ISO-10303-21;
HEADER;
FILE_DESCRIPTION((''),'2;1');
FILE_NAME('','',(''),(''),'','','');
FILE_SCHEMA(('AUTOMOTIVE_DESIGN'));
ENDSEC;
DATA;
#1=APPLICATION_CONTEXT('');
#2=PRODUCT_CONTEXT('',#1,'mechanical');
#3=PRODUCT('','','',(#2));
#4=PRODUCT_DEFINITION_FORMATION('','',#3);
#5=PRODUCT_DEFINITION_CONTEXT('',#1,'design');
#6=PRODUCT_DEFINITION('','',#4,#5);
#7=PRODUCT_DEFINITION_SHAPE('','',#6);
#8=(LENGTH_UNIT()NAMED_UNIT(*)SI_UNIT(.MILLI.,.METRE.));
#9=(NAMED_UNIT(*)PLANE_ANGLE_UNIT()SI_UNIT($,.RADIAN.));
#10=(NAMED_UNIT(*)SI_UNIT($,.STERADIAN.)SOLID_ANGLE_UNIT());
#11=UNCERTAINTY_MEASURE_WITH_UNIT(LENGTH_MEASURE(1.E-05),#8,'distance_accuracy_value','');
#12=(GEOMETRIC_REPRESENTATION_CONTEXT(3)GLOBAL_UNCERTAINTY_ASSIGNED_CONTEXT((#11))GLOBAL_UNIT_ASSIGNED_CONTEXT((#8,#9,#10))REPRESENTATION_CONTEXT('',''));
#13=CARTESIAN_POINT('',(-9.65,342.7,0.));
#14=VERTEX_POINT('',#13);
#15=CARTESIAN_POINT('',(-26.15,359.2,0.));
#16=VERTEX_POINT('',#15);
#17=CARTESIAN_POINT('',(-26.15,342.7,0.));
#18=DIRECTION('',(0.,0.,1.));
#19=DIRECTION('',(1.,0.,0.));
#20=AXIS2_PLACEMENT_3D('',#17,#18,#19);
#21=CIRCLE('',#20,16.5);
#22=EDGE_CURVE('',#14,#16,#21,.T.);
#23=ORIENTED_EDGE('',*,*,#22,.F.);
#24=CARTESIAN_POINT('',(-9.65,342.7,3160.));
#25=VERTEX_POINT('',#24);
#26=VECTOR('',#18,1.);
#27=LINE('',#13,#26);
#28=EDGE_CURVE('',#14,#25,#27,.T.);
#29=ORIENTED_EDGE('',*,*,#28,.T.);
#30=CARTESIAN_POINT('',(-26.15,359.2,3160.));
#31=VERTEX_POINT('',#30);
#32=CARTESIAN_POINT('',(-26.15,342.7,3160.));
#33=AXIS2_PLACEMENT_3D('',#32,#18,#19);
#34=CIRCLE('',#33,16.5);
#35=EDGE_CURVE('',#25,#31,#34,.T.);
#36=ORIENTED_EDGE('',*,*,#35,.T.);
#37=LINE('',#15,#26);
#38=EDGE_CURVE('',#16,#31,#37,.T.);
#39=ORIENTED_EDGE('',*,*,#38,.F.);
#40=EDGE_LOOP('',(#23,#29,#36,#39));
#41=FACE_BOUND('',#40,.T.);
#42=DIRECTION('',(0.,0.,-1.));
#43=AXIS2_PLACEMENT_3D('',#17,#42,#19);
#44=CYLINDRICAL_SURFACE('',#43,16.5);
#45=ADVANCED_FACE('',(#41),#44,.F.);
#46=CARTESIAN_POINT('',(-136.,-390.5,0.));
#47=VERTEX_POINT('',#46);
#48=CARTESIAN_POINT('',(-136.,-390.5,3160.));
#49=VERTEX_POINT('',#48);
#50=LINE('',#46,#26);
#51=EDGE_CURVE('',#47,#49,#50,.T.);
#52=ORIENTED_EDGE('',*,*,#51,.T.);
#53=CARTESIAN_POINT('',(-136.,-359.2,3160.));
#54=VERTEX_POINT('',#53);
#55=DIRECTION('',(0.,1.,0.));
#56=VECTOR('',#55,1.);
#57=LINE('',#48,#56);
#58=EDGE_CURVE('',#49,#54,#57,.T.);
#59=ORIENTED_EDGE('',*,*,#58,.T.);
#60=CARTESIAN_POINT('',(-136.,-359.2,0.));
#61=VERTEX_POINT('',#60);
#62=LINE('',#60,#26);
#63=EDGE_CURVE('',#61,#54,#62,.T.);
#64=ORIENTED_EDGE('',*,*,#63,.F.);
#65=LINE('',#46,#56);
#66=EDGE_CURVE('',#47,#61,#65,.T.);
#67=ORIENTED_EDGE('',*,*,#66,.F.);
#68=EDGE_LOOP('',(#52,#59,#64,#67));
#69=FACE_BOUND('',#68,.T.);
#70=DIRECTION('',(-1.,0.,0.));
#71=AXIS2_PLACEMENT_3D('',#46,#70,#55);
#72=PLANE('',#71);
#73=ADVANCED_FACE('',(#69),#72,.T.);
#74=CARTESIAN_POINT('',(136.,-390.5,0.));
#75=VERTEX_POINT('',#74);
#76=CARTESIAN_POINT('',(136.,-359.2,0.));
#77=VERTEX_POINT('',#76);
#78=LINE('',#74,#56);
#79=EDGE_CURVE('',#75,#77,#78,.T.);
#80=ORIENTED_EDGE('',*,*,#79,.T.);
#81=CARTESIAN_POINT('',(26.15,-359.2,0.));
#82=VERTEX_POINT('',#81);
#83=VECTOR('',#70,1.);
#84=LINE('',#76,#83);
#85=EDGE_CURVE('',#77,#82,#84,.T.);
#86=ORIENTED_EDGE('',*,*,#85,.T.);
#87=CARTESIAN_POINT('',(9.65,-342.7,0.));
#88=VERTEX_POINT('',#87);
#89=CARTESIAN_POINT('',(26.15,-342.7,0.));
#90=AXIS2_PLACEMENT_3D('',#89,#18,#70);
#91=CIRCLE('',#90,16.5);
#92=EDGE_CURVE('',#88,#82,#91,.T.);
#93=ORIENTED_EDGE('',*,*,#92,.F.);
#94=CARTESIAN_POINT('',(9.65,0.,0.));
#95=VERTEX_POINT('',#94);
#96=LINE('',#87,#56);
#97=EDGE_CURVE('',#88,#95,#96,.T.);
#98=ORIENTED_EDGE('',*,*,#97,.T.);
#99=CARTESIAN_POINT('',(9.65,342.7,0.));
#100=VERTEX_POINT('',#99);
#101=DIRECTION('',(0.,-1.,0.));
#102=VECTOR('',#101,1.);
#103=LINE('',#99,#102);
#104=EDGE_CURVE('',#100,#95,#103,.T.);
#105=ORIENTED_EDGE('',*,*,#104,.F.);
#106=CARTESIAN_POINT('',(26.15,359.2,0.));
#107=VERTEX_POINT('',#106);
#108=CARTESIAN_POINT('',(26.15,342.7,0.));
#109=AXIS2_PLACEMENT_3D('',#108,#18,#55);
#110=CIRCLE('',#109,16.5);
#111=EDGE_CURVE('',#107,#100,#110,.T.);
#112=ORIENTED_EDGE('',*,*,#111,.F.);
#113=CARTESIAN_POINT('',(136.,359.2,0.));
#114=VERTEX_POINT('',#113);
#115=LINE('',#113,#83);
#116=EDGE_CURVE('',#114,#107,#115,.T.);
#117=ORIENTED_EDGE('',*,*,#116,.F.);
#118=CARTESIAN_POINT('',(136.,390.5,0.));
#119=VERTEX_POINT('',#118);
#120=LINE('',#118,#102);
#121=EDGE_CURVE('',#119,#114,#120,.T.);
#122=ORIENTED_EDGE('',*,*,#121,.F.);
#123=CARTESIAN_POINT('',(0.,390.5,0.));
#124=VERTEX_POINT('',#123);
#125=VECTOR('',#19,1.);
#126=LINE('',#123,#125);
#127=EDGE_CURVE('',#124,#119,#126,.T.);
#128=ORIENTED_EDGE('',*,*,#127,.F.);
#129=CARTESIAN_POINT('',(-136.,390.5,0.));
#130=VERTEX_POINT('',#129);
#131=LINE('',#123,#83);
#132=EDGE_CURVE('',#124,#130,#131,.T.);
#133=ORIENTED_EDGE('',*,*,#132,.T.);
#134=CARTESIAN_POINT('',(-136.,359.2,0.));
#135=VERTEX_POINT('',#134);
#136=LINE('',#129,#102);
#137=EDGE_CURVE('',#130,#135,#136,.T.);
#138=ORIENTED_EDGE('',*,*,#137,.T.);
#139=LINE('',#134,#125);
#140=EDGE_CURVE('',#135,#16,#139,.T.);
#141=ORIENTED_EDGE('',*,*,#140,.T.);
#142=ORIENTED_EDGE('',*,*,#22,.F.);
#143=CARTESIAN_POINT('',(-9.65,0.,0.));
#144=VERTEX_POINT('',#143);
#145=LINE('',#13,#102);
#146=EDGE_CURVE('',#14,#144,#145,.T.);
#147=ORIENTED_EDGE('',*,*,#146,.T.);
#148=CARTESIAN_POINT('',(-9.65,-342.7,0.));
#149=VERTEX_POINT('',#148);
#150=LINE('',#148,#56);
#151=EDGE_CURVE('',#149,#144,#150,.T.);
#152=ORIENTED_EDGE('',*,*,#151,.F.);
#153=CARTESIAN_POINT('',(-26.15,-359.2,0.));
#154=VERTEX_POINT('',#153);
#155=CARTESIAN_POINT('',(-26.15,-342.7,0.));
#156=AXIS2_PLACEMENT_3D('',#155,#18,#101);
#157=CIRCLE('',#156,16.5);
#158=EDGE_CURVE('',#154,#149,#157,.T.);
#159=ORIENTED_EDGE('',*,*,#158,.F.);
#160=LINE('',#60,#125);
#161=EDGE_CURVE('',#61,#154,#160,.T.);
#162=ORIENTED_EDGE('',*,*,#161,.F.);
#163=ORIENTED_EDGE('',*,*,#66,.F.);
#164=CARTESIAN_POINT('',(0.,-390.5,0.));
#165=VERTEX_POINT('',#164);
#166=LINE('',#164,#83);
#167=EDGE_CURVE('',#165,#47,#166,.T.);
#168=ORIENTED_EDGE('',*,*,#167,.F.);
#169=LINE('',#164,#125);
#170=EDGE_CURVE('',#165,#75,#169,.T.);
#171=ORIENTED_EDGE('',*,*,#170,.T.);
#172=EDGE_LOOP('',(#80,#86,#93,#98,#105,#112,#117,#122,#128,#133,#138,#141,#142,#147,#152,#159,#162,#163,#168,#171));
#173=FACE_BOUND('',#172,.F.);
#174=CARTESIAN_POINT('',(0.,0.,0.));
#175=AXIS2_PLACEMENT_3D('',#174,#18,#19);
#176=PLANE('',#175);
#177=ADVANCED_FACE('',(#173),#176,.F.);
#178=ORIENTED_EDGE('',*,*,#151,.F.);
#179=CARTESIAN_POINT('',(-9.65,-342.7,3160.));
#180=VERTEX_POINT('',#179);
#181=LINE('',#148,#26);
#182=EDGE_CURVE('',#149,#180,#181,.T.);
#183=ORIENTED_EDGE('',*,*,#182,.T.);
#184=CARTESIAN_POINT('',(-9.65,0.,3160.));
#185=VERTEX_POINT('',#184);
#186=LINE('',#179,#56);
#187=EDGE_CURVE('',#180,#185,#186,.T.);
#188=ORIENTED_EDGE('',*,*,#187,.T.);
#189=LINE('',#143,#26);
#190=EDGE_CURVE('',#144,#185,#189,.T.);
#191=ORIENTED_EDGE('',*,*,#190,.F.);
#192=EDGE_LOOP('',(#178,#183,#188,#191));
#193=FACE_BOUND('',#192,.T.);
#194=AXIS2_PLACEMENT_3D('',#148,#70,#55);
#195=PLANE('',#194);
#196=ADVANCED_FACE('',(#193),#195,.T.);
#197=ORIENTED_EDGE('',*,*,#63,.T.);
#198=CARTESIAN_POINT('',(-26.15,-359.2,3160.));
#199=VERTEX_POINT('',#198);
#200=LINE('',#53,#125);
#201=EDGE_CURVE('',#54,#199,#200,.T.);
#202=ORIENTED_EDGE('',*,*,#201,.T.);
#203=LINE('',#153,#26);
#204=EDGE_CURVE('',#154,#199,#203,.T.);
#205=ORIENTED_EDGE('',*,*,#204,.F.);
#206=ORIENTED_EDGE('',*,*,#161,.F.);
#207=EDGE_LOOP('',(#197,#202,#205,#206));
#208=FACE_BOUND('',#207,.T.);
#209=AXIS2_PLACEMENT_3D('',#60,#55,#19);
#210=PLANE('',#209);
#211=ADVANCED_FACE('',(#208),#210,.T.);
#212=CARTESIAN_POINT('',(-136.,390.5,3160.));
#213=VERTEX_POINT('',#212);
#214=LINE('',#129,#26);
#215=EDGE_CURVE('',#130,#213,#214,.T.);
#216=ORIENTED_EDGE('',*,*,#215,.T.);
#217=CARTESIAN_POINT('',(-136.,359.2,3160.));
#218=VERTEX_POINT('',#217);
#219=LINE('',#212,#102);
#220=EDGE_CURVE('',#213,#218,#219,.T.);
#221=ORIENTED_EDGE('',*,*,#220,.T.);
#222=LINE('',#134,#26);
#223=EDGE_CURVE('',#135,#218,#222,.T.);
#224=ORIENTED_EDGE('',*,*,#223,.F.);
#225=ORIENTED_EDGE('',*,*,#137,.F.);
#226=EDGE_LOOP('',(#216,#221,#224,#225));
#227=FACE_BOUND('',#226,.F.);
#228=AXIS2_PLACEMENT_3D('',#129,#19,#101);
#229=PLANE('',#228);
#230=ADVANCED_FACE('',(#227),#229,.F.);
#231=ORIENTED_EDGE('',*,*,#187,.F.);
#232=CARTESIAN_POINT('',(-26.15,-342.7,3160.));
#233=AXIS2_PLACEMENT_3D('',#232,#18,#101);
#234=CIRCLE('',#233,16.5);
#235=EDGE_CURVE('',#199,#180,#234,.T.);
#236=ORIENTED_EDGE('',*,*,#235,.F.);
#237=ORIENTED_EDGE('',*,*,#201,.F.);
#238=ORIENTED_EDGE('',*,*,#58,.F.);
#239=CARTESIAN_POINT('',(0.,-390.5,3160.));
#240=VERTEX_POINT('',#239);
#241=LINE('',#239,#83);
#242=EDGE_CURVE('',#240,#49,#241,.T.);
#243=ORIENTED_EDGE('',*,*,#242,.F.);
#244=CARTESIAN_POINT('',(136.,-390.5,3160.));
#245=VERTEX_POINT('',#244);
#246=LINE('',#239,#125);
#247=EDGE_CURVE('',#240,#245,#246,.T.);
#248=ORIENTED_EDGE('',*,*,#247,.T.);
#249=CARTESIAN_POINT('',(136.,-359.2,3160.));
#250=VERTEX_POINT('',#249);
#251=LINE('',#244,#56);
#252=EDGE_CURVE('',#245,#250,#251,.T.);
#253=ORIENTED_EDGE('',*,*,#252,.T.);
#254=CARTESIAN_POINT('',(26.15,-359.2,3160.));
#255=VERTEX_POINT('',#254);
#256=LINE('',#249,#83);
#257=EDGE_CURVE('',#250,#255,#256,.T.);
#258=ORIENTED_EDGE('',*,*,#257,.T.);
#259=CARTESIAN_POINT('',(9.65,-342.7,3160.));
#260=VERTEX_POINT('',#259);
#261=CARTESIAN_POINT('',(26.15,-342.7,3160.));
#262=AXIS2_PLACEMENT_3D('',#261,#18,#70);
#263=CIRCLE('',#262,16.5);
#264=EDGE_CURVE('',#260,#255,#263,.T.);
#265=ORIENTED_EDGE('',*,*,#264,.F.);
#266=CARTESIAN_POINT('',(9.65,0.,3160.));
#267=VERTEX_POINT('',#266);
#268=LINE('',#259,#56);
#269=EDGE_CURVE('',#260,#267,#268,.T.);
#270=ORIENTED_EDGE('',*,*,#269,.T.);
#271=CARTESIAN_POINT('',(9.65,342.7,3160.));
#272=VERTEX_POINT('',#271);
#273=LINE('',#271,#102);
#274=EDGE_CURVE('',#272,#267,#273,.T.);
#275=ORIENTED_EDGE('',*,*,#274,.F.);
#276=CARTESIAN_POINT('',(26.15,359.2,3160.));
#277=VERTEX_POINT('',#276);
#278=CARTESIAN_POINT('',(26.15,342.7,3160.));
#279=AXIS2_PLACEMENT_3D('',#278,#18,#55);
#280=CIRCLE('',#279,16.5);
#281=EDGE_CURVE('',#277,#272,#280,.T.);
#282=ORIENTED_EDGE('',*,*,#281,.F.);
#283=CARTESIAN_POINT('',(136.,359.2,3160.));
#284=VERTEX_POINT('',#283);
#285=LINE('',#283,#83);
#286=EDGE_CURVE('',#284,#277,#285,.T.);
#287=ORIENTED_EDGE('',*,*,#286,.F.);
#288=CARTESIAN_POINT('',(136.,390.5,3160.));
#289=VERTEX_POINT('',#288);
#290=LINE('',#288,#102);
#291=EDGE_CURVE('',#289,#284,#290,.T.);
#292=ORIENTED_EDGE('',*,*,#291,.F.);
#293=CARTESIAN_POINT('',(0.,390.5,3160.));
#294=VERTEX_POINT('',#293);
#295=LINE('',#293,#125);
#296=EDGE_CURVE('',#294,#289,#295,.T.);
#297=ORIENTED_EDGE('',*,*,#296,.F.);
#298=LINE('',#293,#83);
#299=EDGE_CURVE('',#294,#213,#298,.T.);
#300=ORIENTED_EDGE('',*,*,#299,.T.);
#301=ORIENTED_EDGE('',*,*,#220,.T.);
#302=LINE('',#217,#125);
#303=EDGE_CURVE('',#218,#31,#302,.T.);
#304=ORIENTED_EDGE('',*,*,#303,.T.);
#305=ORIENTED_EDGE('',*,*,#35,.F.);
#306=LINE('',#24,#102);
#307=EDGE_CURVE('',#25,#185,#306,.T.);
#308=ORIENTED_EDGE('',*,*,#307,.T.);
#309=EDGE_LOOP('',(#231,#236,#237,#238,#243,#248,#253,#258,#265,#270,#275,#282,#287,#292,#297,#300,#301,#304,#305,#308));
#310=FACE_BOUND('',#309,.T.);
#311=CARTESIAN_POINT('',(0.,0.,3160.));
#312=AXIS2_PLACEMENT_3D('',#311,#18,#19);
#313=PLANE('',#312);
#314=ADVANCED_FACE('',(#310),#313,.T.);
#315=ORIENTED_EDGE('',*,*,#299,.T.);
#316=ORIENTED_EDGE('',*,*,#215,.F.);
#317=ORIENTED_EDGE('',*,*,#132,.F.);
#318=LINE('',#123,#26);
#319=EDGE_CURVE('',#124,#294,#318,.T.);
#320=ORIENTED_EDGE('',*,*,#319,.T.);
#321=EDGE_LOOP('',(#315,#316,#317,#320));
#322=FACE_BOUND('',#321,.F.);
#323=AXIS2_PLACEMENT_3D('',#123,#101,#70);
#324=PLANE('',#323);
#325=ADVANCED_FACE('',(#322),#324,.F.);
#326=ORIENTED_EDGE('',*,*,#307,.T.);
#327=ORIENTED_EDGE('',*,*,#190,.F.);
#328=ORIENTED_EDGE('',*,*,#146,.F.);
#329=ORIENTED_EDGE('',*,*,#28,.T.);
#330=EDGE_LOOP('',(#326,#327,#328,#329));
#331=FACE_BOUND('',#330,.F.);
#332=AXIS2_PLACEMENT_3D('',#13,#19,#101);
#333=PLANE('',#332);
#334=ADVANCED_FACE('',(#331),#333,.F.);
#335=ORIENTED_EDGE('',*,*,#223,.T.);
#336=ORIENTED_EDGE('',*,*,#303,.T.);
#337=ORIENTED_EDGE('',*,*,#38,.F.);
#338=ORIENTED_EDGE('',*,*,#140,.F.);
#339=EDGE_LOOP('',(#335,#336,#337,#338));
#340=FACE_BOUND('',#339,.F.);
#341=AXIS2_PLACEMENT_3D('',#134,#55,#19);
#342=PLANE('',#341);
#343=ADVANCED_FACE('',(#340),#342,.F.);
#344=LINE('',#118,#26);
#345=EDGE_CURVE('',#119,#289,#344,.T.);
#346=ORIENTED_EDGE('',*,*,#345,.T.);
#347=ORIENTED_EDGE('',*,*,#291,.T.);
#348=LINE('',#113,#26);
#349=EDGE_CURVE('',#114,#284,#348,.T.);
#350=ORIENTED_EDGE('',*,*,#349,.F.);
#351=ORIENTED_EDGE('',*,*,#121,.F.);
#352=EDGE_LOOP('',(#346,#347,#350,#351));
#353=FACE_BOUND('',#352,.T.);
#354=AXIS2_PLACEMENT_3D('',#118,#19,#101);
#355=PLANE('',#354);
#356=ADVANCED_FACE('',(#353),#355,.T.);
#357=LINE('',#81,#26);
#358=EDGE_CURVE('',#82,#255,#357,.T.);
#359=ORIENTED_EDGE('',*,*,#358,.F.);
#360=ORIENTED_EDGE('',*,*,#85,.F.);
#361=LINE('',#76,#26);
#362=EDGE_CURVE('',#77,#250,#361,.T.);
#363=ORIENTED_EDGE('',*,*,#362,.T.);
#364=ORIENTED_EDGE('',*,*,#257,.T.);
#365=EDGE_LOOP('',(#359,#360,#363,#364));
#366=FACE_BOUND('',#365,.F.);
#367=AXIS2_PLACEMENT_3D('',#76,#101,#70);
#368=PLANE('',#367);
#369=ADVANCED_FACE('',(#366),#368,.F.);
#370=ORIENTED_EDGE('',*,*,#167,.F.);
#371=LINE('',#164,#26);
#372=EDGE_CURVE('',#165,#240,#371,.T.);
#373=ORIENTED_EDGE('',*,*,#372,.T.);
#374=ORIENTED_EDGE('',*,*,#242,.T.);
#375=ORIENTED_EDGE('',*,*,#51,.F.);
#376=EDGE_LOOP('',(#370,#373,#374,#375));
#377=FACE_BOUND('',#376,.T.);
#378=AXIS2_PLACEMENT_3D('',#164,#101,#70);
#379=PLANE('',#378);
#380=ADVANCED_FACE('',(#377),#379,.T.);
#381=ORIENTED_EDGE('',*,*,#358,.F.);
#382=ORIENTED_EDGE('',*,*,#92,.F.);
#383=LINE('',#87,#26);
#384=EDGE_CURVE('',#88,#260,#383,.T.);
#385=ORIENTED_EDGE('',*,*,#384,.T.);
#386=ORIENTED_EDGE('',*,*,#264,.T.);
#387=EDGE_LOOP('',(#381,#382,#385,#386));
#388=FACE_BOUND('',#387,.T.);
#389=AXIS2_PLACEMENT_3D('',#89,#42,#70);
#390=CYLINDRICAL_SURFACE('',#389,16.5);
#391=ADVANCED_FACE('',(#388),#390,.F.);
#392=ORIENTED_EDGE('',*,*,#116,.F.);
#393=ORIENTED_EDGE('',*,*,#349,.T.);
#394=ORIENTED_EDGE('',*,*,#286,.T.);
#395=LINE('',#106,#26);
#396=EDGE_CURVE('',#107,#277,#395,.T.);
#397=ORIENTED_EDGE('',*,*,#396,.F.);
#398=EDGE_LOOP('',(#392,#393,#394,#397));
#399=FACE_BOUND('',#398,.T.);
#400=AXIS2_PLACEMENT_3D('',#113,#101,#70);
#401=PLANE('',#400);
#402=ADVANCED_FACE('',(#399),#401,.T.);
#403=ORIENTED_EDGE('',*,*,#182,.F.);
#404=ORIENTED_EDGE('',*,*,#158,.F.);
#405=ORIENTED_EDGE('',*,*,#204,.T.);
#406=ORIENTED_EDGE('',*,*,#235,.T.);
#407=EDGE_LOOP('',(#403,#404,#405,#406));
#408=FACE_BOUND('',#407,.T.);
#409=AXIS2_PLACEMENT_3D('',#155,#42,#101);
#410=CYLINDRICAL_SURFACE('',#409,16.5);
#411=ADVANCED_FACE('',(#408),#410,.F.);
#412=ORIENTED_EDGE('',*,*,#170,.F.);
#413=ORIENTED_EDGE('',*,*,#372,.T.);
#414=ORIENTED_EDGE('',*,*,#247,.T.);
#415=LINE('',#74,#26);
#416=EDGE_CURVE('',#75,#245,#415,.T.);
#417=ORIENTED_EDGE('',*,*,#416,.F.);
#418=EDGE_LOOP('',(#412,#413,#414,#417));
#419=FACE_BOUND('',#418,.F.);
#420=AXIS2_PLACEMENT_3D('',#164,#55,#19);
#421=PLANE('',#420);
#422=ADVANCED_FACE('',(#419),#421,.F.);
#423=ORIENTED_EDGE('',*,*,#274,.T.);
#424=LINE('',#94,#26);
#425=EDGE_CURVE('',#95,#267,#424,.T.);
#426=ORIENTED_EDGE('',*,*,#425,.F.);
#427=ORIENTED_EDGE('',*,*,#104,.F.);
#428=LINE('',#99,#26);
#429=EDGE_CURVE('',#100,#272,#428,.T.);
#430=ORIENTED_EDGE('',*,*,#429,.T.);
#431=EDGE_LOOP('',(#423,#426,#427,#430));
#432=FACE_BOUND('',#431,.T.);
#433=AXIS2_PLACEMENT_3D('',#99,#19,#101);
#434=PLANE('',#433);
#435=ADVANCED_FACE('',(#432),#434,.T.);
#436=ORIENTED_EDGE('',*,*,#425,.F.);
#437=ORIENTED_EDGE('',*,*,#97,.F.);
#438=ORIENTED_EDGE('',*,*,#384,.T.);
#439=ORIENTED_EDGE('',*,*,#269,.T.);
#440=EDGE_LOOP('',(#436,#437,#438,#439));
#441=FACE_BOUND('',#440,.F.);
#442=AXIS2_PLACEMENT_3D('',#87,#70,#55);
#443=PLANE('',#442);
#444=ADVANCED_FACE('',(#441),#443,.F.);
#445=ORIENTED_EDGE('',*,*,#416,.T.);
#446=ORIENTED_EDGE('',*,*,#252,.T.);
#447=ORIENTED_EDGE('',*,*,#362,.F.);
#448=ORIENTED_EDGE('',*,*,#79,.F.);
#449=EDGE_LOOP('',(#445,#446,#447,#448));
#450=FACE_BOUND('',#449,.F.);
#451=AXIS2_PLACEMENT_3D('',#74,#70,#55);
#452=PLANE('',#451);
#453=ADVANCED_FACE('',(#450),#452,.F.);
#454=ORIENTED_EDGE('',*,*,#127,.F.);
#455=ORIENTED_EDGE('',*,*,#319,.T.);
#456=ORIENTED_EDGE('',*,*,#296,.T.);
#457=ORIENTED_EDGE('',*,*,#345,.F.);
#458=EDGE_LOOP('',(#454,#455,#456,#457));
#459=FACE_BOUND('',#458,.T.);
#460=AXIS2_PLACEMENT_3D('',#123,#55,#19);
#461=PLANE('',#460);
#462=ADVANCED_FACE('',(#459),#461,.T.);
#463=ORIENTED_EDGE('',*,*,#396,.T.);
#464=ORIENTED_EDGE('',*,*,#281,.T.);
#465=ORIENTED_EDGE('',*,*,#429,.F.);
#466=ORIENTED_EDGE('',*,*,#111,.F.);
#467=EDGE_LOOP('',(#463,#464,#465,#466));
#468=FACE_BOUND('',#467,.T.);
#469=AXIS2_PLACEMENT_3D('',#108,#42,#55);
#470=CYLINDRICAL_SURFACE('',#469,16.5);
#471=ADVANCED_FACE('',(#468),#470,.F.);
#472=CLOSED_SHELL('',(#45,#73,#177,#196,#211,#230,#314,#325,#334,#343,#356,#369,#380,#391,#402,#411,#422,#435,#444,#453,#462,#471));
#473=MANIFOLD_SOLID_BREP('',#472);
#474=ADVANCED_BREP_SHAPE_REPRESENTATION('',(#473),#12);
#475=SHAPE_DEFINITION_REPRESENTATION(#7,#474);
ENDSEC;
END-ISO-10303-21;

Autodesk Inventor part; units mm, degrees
ref_plane "YZ Plane" through (0, 0, 0) normal (1, 0, 0) x (0, 1, 0)
ref_plane "Start plane" through (0, 0, 0) normal (0, 0, 1) x (1, 0, 0)
ref_plane "End plane" through (0, 0, 3160) normal (0, 0, 1) x (1, 0, 0)
sketch "Sketch" plane through (0, 0, 0) normal (0, 0, 1) x (1, 0, 0)
  line L0 (-136, -390.5) -> (-136, -359.2)
  line L1 (-136, -359.2) -> (-26.15, -359.2)
  line L2 (-9.65, -342.7) -> (-9.65, 0)
  line L3 (-9.65, 0) -> (0, 0) construction
  line L4 (0, 0) -> (0, -390.5) construction
  line L5 (0, -390.5) -> (-136, -390.5)
  line L6 (-60, 0) -> (80, 0) construction
  line L7 (0, -60) -> (0, 80) construction
  line L8 (136, -390.5) -> (136, -359.2)
  line L9 (136, -359.2) -> (26.15, -359.2)
  line L10 (9.65, -342.7) -> (9.65, 0)
  line L11 (9.65, 0) -> (0, 0) construction
  line L12 (0, -390.5) -> (136, -390.5)
  line L13 (-136, 390.5) -> (-136, 359.2)
  line L14 (-136, 359.2) -> (-26.15, 359.2)
  line L15 (-9.65, 342.7) -> (-9.65, 0)
  line L16 (0, 390.5) -> (-136, 390.5)
  line L17 (136, 390.5) -> (136, 359.2)
  line L18 (136, 359.2) -> (26.15, 359.2)
  line L19 (0, 390.5) -> (136, 390.5)
  line L20 (9.65, 342.7) -> (9.65, 0)
  arc A0 (-9.65, 342.7) -> (-26.15, 359.2) centre (-26.15, 342.7) ccw
  arc A1 (26.15, 359.2) -> (9.65, 342.7) centre (26.15, 342.7) ccw
  arc A2 (9.65, -342.7) -> (26.15, -359.2) centre (26.15, -342.7) ccw
  arc A3 (-26.15, -359.2) -> (-9.65, -342.7) centre (-26.15, -342.7) ccw
  line L21 (0, 108) -> (0, -88) construction
  line L22 (-88, 0) -> (108, 0) construction
  point P0 (-9.65, -359.2)
  point P1 (9.65, -359.2)
  point P2 (-9.65, 359.2)
  point P3 (9.65, 359.2)
  dimension "d1" = 390.5
  dimension "d2" = 31.3
  dimension "d3" = 136
  dimension "d4" = 9.65
  dimension "d10" = 16.5
extrude "Body" add sketch "Sketch" along normal up to surface (3160 mm away) from surface at 0
sketch "Sketch4" plane through (0, 0, 0) normal (0, 0, 1) x (1, 0, 0)
  line L0 (0, 0) -> (10, 0)
ref_plane "Work Plane3" through (0, 0, 0) normal (0, -1, 0) x (1, 0, 0)
sketch "Sketch5" plane through (0, 0, 0) normal (0, -1, 0) x (1, 0, 0)
  line L0 (-2, 0) -> (12, 0) projected
  line L1 (-2, 3160) -> (12, 3160) projected
  dimension "d14" = 3160
equation "\"d1\" = 0.5 * G_H"
equation "\"d2\" = G_T1"
equation "\"d3\" = 0.5 * G_W"
equation "\"d4\" = 0.5 * G_T"
equation "\"d10\" = G_IR"
equation "\"d5\" = G_L"
equation "\"G_W\" = 272"
equation "\"G_H\" = 781"
equation "\"G_T\" = 19.3"
equation "\"G_T1\" = 31.3"
equation "\"G_IR\" = 16.5"
equation "\"G_L\" = d14"
equation "\"G_OFFSET_START\" = 0"
equation "\"G_OFFSET_END\" = 0"
properties part number "AS 3679-1990 - 760 UB - 244 - 3160" material "Steel, Mild"
